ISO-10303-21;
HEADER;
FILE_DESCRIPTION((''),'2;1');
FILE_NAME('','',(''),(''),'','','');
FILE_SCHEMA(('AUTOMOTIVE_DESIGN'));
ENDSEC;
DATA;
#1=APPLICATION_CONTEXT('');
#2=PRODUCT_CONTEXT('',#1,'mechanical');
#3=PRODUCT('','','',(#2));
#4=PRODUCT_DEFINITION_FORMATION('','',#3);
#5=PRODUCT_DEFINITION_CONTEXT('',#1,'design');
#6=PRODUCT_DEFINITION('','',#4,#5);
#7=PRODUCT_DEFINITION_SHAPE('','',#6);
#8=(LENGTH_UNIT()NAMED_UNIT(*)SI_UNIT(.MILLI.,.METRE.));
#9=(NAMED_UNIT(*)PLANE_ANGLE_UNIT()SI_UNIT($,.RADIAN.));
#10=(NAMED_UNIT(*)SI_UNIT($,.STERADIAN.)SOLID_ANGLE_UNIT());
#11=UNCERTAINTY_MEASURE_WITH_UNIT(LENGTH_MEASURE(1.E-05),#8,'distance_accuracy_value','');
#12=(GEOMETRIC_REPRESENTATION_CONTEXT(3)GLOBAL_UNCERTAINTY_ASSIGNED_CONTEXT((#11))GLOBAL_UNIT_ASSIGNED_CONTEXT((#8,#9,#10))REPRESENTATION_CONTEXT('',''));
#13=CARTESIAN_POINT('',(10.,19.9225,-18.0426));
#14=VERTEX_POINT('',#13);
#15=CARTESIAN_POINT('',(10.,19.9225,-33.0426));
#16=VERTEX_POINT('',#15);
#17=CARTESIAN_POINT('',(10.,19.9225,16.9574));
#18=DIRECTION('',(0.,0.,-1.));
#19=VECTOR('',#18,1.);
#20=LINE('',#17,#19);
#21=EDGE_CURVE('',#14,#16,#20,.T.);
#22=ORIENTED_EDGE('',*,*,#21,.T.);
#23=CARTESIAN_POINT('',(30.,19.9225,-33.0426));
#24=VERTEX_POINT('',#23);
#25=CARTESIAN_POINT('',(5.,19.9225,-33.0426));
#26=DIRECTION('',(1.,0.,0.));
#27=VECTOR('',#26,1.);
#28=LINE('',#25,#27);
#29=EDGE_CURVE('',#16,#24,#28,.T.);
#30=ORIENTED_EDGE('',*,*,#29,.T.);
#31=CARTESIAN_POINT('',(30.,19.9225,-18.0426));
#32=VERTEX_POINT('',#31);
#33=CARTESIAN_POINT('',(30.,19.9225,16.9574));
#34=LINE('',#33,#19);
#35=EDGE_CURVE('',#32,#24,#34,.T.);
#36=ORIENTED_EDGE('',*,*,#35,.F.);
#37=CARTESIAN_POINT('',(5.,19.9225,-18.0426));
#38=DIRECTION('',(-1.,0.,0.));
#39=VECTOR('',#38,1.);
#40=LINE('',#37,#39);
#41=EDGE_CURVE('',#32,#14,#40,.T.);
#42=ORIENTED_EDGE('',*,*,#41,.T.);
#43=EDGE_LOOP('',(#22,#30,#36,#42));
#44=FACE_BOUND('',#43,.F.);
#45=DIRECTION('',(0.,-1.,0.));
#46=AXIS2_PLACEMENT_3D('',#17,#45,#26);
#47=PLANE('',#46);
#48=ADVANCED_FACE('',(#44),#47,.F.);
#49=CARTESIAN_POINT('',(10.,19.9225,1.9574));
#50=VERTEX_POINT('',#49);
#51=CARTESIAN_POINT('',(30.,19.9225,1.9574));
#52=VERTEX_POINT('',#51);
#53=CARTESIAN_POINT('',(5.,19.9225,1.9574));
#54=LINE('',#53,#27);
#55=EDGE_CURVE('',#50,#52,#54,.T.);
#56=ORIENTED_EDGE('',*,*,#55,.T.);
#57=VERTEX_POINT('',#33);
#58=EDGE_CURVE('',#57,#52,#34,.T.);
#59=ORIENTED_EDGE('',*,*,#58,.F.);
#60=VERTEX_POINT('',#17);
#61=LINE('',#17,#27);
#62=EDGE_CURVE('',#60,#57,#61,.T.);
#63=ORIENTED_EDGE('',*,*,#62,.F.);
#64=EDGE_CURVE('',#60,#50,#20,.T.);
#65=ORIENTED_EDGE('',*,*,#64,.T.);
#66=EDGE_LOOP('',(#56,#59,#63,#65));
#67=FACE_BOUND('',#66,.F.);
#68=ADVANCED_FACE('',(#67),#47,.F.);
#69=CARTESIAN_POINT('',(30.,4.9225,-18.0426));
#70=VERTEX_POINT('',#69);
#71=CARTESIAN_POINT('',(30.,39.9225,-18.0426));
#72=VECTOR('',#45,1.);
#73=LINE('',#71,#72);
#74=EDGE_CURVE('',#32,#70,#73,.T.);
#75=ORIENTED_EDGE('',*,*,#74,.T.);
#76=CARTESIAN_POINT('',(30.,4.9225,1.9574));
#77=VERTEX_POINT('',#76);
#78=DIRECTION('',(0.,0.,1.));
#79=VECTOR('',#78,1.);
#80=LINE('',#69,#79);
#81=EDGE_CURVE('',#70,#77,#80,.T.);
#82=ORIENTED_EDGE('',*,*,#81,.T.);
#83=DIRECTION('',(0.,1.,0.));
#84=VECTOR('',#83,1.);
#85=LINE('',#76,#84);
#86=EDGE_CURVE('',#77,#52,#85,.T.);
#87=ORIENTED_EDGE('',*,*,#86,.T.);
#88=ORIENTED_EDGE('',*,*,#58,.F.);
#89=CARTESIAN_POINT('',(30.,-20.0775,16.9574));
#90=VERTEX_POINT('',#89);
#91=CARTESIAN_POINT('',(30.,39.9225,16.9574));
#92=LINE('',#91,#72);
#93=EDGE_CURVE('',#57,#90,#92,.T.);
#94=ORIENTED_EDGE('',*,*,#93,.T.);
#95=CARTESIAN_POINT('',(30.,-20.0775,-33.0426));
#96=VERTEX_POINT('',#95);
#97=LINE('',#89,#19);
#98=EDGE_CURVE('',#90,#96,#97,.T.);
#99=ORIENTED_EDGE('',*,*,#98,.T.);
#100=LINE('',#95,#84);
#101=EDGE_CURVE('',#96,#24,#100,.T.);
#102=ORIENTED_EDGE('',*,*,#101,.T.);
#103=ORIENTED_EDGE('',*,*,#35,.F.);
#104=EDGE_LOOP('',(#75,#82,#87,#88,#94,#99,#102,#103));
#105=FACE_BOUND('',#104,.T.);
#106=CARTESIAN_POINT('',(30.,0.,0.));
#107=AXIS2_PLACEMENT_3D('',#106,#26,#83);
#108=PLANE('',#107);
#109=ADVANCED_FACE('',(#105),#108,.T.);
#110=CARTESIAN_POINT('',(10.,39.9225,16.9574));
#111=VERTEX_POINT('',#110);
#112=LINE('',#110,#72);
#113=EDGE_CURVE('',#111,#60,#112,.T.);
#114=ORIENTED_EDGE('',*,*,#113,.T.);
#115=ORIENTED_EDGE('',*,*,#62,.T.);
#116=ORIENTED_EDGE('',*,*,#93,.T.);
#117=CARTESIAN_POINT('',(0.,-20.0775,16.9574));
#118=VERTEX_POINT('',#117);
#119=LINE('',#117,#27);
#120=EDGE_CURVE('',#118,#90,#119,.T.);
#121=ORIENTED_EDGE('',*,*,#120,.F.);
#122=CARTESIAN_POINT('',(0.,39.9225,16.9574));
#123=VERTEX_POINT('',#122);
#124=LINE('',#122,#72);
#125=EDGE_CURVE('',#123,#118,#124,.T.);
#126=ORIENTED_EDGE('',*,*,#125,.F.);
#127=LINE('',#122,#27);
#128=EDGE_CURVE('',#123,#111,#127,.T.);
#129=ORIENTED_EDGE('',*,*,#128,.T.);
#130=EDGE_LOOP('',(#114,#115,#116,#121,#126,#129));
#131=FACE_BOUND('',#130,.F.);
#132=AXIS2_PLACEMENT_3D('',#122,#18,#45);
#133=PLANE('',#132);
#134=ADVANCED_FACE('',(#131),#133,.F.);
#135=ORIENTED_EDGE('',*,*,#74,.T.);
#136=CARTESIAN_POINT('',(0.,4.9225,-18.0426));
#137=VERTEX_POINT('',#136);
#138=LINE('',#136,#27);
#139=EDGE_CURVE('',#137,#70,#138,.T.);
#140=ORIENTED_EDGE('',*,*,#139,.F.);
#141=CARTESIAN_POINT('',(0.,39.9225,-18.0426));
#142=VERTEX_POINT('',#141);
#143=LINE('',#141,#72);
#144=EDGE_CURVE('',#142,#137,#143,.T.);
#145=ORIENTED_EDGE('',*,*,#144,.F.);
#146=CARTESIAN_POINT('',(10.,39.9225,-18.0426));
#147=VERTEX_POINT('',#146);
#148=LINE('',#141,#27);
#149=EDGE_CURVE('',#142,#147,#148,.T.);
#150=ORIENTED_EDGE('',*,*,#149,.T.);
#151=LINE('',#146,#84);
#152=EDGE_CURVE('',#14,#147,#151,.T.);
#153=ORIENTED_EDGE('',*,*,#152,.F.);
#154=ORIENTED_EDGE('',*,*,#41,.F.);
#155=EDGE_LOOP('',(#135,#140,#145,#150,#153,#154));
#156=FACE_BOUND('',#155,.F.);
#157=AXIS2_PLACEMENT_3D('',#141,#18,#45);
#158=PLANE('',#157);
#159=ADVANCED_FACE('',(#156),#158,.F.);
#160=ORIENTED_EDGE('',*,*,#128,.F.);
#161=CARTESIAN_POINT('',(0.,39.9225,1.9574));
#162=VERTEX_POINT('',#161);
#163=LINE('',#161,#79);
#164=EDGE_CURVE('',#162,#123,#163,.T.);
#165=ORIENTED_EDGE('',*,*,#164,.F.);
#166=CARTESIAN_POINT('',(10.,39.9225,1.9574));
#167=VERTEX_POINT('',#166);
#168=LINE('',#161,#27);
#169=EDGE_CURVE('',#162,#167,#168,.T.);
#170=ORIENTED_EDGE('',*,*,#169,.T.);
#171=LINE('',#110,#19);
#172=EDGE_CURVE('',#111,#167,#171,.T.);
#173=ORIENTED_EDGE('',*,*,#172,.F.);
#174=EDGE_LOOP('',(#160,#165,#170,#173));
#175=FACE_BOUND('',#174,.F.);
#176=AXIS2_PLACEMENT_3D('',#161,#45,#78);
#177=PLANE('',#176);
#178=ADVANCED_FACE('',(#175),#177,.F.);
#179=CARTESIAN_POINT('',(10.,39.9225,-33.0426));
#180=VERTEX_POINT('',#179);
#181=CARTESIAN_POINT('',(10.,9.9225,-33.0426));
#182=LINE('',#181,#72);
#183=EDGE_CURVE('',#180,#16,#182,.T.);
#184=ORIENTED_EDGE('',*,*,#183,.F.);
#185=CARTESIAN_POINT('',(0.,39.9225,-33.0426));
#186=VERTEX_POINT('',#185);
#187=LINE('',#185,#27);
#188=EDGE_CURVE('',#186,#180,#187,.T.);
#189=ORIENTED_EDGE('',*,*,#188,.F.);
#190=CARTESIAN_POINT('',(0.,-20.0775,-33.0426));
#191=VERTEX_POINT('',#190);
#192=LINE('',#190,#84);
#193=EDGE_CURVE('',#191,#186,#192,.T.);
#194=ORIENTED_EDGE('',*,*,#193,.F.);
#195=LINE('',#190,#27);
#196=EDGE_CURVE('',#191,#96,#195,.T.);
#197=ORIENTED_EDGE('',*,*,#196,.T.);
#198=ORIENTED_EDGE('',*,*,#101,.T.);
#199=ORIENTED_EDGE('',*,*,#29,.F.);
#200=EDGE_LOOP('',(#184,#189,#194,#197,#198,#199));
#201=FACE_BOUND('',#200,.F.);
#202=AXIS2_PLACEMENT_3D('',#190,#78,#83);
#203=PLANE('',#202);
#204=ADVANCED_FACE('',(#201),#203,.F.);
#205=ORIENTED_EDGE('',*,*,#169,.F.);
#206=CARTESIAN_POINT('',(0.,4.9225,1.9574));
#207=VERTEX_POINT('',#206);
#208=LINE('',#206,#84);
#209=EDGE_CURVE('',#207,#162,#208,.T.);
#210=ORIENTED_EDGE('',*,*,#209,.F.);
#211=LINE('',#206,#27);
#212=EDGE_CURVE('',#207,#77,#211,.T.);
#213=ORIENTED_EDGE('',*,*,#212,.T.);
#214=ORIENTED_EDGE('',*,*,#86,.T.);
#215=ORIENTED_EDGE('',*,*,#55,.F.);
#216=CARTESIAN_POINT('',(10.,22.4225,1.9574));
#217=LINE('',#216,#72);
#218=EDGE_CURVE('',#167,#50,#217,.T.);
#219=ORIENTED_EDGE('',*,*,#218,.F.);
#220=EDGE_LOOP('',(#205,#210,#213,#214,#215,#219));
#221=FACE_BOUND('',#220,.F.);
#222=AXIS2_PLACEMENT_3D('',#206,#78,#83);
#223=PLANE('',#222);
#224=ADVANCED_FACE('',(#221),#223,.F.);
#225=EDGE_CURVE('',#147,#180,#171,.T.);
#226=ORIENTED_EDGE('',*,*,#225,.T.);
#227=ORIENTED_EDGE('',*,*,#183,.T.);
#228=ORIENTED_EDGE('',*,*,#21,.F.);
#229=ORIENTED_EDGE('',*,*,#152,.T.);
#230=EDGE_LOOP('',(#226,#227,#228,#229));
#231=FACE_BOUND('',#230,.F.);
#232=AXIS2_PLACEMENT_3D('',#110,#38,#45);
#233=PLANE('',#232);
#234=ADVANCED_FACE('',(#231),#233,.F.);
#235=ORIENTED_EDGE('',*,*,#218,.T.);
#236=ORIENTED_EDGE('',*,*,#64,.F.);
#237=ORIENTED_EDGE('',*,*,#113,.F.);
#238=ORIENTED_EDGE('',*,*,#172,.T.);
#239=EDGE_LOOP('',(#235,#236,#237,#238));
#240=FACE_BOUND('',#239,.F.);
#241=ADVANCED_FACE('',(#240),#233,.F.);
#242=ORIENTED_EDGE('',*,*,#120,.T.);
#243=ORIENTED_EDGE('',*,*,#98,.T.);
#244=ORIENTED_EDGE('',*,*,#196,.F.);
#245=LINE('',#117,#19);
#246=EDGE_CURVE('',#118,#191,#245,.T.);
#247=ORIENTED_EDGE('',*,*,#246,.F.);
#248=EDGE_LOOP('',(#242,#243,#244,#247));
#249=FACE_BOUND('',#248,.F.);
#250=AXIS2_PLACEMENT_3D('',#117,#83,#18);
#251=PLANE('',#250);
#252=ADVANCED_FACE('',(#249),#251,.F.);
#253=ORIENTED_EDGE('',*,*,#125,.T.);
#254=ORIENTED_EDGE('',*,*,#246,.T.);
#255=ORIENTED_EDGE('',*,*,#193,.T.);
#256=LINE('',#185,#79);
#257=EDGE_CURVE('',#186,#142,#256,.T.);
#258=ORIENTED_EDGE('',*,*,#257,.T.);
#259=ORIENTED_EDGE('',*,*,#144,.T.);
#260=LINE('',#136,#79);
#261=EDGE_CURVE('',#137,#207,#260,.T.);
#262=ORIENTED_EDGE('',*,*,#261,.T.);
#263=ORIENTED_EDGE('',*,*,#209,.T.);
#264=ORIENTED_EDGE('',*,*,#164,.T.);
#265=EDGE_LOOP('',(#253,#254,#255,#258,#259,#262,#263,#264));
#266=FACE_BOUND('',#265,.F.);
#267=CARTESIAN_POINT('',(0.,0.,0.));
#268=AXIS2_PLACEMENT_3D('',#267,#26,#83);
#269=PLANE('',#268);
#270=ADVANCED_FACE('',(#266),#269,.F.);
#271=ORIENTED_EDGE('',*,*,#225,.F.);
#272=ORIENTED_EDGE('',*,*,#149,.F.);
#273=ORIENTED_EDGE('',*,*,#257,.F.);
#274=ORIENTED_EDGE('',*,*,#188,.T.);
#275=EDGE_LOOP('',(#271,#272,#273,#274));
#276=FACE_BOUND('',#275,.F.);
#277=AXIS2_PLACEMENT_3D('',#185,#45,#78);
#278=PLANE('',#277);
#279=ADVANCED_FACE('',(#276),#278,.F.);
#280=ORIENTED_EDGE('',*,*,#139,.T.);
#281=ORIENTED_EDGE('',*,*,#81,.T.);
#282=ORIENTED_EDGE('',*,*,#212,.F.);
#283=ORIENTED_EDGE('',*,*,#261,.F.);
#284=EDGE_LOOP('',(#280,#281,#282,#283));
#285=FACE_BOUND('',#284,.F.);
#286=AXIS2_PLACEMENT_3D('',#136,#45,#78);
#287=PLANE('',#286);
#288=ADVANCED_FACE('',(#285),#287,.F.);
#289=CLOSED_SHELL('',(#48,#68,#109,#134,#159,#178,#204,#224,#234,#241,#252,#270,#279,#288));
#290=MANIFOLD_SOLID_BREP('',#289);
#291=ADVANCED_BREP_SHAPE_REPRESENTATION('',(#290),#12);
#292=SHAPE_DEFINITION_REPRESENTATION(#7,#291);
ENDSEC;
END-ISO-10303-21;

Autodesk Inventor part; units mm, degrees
ref_plane "YZ Plane" through (0, 0, 0) normal (1, 0, 0) x (0, 1, 0)
ref_plane "XZ Plane" through (0, 0, 0) normal (0, 1, 0) x (-1, 0, 0)
ref_plane "XY Plane" through (0, 0, 0) normal (0, 0, 1) x (1, 0, 0)
sketch "Sketch1" plane through (0, 0, 0) normal (1, 0, 0) x (0, 1, 0)
  line L0 (-20.0775, -33.0426) -> (39.9225, -33.0426)
  line L1 (39.9225, -33.0426) -> (39.9225, -18.0426)
  line L2 (39.9225, -18.0426) -> (4.9225, -18.0426)
  line L3 (4.9225, -18.0426) -> (4.9225, 1.9574)
  line L4 (4.9225, 1.9574) -> (39.9225, 1.9574)
  line L5 (39.9225, 1.9574) -> (39.9225, 16.9574)
  line L6 (39.9225, 16.9574) -> (-20.0775, 16.9574)
  line L7 (-20.0775, 16.9574) -> (-20.0775, -33.0426)
  point P0 (0, 0)
  dimension "d0" = 50
  dimension "d1" = 15
  dimension "d2" = 15
  dimension "d3" = 25
  dimension "d4" = 60
extrude "Extrusion1" add sketch "Sketch1" along normal blind 30
sketch "Sketch2" plane through (0, -20.0775, 16.9574) normal (0, 0, 1) x (1, 0, 0)
  line L0 (0, 60) -> (30, 60) projected
  line L1 (10, 60) -> (10, 40)
  line L2 (10, 40) -> (30, 40)
  line L3 (30, 60) -> (30, 0) projected
  line L4 (30, 60) -> (10, 60)
  point P0 (0, 20.0775)
  dimension "d7" = 20
  dimension "d8" = 20
extrude "Extrusion2" cut sketch "Sketch2" against normal blind 60
properties part number "BT006_Prisma01"
